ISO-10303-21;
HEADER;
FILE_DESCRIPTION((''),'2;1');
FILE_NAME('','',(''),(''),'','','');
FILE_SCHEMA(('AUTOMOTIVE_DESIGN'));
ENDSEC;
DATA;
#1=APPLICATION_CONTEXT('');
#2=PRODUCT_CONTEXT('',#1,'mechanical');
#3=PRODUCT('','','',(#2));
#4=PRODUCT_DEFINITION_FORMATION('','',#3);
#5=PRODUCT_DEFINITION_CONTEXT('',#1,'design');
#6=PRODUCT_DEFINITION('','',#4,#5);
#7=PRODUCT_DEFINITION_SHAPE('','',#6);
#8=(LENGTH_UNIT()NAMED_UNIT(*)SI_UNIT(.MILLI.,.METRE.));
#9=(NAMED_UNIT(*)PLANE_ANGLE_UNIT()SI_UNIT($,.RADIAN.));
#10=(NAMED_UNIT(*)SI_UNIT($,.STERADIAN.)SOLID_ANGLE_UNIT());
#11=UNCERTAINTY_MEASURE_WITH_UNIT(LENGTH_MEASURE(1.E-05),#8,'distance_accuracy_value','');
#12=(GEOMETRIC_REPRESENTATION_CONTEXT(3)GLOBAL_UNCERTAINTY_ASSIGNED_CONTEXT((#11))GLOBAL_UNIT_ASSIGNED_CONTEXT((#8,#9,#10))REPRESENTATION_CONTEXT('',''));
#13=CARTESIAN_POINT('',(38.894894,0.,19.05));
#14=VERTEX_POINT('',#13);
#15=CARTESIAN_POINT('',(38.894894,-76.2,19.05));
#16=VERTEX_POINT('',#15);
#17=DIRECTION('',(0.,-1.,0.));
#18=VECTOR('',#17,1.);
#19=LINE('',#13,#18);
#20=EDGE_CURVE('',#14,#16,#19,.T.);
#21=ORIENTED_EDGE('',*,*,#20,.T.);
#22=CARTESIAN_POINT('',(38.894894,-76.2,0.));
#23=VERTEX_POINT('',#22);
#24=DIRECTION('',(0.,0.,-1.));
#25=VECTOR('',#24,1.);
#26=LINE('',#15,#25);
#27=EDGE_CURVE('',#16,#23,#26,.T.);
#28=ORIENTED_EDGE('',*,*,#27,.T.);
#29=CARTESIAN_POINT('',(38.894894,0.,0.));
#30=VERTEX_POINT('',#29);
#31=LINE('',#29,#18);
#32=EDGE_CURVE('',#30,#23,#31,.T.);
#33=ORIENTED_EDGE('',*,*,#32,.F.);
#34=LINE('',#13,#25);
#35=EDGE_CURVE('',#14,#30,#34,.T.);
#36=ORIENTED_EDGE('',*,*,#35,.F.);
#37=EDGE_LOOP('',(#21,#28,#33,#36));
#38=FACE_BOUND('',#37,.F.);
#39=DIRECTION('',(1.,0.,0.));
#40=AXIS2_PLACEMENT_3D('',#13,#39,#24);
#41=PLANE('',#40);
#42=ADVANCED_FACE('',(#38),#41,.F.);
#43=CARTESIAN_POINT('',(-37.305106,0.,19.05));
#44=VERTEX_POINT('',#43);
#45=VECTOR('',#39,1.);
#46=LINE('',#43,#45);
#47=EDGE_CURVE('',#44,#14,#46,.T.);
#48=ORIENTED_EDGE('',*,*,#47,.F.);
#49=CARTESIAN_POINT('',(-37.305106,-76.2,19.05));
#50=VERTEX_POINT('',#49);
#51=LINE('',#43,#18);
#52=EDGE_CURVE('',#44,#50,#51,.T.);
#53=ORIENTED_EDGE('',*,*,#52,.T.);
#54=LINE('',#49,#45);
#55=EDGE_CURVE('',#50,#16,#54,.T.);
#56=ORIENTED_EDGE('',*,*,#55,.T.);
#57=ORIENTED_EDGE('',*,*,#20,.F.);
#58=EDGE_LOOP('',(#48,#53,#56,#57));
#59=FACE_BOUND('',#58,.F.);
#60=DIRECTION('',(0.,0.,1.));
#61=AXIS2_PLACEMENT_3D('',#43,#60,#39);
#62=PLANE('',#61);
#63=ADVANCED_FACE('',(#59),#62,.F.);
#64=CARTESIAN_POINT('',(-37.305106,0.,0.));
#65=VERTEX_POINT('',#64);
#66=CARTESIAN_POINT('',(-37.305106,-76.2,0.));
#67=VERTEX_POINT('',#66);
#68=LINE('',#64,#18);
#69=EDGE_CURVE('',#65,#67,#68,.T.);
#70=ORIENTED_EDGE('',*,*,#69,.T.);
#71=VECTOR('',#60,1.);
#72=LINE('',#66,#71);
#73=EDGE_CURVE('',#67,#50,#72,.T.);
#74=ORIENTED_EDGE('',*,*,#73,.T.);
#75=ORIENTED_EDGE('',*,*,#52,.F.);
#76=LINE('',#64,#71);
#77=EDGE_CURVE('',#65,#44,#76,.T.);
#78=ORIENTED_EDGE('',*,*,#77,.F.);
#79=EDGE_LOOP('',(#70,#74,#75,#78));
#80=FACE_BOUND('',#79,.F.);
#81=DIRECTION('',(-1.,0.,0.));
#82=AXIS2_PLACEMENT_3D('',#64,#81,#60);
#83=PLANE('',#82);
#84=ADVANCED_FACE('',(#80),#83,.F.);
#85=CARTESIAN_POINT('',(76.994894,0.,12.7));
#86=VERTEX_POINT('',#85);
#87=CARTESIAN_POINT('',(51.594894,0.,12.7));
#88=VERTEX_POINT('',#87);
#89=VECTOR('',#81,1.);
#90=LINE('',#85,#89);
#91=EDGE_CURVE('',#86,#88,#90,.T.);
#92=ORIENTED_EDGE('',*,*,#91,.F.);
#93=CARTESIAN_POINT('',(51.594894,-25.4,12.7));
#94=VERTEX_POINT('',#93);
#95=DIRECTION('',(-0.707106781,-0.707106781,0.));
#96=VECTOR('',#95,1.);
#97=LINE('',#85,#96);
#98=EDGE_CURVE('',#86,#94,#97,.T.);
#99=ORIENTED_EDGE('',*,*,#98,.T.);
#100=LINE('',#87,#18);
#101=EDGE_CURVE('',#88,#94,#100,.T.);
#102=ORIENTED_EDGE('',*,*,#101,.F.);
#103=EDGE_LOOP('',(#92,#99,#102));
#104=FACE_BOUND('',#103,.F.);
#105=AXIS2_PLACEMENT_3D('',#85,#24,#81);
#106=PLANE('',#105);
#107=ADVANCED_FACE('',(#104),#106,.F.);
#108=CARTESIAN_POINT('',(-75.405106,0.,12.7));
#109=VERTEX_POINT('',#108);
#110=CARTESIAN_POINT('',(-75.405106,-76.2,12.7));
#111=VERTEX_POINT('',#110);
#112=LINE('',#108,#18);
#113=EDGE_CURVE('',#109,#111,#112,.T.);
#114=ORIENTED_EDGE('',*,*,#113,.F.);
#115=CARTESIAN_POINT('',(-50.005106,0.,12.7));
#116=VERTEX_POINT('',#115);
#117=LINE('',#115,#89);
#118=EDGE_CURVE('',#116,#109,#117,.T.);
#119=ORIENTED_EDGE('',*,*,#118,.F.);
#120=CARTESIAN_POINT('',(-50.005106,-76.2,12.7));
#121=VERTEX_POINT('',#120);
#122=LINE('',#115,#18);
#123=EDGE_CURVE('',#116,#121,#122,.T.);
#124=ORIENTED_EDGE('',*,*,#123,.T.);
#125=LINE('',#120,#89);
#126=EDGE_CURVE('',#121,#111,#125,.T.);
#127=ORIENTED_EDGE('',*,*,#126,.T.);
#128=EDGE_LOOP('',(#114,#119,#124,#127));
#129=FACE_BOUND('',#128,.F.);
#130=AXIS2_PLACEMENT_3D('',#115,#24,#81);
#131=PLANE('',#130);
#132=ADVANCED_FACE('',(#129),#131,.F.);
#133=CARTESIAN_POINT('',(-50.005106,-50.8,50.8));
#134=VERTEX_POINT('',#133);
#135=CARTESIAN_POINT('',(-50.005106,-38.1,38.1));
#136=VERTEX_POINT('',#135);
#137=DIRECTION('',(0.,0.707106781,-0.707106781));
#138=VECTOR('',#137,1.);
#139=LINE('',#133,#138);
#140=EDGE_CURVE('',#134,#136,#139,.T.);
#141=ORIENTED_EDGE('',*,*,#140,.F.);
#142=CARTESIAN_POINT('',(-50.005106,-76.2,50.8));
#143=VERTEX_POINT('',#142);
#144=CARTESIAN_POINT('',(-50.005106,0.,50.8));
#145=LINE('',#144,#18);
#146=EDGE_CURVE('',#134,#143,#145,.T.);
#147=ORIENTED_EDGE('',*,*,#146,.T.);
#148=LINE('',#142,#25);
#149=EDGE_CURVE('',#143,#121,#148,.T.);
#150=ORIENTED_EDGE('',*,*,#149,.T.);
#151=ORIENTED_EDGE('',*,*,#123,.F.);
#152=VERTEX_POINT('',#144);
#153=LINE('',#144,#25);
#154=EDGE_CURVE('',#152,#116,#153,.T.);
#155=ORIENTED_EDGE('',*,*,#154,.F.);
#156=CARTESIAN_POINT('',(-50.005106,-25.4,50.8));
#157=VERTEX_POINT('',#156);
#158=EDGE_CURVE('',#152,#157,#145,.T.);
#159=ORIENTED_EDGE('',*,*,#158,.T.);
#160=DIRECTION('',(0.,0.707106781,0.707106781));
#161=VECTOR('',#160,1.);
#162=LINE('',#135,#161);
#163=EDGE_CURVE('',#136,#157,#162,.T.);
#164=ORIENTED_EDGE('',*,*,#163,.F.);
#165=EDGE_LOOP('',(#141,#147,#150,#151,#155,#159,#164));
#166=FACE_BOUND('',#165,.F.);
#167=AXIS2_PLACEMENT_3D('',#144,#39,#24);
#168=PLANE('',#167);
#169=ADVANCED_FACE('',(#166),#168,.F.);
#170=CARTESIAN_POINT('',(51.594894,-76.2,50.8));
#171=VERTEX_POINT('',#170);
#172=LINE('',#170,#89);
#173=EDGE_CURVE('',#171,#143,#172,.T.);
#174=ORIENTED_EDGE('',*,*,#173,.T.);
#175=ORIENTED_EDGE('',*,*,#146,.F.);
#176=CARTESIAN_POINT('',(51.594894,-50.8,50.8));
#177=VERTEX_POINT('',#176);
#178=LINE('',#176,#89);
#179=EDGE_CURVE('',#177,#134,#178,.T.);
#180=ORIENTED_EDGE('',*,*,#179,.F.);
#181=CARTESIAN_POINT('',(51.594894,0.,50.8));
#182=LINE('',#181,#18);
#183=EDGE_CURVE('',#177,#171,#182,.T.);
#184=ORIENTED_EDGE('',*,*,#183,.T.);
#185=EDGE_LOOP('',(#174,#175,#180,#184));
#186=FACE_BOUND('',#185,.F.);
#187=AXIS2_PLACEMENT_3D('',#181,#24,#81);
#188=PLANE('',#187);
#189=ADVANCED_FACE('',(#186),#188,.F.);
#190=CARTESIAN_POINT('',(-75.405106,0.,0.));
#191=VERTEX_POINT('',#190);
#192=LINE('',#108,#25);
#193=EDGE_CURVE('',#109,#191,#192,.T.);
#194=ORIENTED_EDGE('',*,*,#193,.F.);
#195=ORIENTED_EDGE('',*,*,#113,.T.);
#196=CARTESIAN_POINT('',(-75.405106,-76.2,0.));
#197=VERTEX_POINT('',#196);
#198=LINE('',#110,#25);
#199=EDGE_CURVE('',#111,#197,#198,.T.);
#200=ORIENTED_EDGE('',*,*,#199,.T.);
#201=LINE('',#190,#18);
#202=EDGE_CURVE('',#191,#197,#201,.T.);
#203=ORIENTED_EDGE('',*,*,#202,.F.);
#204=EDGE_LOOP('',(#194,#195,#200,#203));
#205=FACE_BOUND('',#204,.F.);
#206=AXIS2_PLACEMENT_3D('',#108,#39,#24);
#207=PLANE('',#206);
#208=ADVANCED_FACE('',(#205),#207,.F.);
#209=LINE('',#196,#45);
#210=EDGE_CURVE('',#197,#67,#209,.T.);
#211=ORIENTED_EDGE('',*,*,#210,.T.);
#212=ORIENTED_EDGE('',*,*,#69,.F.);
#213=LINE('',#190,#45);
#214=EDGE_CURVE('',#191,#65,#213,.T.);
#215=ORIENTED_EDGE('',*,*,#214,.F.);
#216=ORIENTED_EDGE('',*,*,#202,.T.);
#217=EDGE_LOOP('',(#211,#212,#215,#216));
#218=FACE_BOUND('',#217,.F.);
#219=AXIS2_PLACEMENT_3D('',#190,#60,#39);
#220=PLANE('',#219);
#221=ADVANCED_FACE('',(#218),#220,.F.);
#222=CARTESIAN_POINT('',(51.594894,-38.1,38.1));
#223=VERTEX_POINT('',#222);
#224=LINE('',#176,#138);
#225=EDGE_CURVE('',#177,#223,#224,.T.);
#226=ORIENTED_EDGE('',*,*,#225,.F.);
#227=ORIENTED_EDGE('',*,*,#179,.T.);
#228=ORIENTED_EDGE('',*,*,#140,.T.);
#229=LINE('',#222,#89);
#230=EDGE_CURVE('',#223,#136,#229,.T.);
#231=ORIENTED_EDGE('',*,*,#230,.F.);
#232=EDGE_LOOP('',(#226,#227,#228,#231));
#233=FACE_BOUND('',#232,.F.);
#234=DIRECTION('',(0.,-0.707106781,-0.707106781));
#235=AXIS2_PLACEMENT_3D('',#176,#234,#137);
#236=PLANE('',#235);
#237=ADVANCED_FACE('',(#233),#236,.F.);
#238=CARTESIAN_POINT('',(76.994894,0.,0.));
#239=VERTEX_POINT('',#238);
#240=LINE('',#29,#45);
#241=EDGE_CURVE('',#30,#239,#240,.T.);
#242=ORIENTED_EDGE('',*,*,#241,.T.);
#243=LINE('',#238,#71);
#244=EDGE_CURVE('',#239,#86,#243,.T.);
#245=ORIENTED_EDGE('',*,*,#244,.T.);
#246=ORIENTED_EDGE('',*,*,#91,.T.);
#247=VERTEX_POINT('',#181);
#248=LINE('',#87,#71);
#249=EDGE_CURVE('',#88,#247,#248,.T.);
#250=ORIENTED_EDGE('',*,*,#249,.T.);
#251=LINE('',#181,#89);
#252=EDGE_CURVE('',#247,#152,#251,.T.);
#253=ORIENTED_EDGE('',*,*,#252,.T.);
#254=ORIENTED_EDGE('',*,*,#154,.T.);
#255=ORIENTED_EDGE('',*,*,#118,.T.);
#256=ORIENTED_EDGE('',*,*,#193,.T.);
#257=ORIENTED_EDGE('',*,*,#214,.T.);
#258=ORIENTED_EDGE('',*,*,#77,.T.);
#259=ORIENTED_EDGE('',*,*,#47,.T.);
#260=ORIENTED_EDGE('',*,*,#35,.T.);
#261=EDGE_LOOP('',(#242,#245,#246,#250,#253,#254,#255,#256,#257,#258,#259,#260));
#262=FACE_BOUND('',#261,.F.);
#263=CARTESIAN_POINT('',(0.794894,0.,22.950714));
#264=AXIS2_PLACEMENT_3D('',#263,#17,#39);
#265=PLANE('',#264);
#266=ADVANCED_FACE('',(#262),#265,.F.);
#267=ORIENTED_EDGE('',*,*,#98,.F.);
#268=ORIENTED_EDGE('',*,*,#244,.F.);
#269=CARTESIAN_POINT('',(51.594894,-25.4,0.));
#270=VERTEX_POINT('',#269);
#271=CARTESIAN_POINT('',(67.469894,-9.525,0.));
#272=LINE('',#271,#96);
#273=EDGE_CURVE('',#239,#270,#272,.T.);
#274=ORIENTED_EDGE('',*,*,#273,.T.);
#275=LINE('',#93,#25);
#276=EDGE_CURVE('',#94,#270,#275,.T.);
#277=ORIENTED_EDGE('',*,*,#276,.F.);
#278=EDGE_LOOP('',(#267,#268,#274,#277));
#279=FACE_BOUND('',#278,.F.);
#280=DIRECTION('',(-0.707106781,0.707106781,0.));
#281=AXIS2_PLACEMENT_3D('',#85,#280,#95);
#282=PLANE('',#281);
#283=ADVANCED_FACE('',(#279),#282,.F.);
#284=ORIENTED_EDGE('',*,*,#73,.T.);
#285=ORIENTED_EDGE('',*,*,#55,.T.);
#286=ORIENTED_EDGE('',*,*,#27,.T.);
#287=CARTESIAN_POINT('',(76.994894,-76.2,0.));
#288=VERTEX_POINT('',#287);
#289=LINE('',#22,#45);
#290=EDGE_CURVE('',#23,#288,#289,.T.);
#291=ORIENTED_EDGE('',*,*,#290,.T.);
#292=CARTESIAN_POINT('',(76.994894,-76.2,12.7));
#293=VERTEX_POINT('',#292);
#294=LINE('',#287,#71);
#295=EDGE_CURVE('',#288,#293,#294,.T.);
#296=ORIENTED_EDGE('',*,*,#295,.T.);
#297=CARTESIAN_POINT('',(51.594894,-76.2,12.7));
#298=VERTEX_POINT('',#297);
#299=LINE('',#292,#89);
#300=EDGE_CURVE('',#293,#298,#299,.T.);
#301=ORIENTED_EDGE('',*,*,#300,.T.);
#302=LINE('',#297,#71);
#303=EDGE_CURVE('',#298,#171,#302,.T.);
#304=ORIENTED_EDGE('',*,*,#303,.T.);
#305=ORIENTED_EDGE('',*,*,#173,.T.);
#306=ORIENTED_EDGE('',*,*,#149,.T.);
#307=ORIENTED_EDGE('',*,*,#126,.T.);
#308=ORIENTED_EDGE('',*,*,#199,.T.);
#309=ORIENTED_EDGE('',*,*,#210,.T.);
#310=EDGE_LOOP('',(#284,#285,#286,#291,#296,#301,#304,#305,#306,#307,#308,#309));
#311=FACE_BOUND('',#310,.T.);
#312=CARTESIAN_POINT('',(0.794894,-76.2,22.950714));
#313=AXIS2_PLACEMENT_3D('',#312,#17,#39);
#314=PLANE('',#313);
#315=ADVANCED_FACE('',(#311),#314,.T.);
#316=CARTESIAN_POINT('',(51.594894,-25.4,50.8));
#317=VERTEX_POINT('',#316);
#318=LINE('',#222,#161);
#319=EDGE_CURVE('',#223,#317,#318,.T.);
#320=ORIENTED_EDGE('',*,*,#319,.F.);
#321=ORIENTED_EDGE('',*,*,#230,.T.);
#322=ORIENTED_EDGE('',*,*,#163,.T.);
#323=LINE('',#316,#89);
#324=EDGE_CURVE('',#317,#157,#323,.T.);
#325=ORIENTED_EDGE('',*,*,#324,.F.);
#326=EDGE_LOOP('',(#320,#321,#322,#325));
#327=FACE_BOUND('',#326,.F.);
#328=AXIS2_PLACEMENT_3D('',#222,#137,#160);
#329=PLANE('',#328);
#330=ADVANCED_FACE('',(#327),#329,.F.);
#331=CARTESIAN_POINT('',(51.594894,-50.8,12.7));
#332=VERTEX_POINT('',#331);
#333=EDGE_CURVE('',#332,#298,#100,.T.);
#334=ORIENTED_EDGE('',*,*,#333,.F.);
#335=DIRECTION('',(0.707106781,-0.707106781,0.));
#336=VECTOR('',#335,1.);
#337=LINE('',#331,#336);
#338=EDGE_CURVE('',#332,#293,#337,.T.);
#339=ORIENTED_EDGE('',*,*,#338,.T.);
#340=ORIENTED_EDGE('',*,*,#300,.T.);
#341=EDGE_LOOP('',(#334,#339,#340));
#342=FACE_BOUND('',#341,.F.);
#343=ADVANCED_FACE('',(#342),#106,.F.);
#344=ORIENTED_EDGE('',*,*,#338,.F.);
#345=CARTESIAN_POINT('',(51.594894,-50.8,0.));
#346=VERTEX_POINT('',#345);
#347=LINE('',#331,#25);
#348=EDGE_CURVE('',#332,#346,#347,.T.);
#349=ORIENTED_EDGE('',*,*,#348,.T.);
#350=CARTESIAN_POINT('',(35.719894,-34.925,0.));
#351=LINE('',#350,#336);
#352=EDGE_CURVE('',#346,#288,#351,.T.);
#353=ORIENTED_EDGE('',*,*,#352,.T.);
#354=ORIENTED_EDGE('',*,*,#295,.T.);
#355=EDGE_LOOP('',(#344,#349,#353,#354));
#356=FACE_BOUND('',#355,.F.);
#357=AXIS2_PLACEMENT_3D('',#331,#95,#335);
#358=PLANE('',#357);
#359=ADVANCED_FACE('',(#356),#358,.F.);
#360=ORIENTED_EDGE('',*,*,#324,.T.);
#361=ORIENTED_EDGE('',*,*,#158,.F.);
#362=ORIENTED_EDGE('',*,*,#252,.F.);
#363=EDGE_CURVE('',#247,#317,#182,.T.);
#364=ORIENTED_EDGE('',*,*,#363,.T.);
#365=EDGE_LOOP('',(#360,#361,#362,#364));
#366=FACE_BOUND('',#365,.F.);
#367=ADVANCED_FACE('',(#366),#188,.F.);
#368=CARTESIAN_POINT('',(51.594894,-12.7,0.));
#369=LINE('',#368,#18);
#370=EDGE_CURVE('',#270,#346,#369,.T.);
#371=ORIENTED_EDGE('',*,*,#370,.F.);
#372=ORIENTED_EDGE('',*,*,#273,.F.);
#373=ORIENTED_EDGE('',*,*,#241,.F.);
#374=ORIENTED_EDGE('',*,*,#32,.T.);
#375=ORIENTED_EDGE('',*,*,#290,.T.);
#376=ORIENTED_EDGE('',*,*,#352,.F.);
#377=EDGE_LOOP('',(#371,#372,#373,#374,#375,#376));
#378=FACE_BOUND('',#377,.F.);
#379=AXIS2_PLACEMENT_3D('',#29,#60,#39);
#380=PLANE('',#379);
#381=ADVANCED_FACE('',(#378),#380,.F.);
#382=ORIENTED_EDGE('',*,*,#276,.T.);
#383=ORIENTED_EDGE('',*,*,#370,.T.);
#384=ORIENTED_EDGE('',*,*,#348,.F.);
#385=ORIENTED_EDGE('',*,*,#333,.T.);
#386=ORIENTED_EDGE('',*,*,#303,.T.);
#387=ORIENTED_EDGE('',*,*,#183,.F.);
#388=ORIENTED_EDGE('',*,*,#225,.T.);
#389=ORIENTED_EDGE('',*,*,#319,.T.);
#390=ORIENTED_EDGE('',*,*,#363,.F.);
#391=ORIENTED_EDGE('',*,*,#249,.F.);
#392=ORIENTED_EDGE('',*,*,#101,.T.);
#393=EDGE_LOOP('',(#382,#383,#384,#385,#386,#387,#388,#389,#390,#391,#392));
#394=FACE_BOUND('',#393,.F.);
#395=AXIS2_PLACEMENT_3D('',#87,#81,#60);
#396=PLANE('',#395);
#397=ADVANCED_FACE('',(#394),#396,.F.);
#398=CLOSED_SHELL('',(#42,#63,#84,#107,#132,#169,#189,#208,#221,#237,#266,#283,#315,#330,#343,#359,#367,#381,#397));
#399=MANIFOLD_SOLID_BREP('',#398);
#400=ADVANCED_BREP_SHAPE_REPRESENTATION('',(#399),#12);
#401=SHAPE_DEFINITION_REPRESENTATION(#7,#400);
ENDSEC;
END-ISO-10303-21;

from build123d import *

# Parameters (mm, degrees)
F1_DEPTH = 76.2
F3_DEPTH = 25.4
F5_DEPTH = 101.6


with BuildPart() as f1:
    # F0 (on Front) → F1 (new body)
    with BuildSketch(Plane.XZ):
        Polygon((-75.4051059484, 12.7), (-75.4051059484, 0), (-37.3051059484, 0), (-37.3051059484, 19.05), (38.8948940516, 19.05), (38.8948940516, 0), (76.9948940516, 0), (76.9948940516, 12.7), (51.5948940516, 12.7), (51.5948940516, 50.8), (-50.0051059484, 50.8), (-50.0051059484, 12.7), align=None)
    extrude(amount=F1_DEPTH)

    # F2 (on face) → F3 (cut)
    with BuildSketch(Plane.XY.offset(12.7)):
        Polygon((51.5948940516, -25.4), (51.5948940516, -50.8), (76.9948940516, -76.2), (76.9948940516, 0), align=None)
    extrude(amount=-F3_DEPTH, mode=Mode.SUBTRACT)

    # F4 (on face) → F5 (cut, through all)
    with BuildSketch(Plane.YZ.offset(51.5948940516)):
        Polygon((-25.4, 50.8), (-50.8, 50.8), (-38.1, 38.1), align=None)
    extrude(amount=-F5_DEPTH, mode=Mode.SUBTRACT)


solid = f1.part
